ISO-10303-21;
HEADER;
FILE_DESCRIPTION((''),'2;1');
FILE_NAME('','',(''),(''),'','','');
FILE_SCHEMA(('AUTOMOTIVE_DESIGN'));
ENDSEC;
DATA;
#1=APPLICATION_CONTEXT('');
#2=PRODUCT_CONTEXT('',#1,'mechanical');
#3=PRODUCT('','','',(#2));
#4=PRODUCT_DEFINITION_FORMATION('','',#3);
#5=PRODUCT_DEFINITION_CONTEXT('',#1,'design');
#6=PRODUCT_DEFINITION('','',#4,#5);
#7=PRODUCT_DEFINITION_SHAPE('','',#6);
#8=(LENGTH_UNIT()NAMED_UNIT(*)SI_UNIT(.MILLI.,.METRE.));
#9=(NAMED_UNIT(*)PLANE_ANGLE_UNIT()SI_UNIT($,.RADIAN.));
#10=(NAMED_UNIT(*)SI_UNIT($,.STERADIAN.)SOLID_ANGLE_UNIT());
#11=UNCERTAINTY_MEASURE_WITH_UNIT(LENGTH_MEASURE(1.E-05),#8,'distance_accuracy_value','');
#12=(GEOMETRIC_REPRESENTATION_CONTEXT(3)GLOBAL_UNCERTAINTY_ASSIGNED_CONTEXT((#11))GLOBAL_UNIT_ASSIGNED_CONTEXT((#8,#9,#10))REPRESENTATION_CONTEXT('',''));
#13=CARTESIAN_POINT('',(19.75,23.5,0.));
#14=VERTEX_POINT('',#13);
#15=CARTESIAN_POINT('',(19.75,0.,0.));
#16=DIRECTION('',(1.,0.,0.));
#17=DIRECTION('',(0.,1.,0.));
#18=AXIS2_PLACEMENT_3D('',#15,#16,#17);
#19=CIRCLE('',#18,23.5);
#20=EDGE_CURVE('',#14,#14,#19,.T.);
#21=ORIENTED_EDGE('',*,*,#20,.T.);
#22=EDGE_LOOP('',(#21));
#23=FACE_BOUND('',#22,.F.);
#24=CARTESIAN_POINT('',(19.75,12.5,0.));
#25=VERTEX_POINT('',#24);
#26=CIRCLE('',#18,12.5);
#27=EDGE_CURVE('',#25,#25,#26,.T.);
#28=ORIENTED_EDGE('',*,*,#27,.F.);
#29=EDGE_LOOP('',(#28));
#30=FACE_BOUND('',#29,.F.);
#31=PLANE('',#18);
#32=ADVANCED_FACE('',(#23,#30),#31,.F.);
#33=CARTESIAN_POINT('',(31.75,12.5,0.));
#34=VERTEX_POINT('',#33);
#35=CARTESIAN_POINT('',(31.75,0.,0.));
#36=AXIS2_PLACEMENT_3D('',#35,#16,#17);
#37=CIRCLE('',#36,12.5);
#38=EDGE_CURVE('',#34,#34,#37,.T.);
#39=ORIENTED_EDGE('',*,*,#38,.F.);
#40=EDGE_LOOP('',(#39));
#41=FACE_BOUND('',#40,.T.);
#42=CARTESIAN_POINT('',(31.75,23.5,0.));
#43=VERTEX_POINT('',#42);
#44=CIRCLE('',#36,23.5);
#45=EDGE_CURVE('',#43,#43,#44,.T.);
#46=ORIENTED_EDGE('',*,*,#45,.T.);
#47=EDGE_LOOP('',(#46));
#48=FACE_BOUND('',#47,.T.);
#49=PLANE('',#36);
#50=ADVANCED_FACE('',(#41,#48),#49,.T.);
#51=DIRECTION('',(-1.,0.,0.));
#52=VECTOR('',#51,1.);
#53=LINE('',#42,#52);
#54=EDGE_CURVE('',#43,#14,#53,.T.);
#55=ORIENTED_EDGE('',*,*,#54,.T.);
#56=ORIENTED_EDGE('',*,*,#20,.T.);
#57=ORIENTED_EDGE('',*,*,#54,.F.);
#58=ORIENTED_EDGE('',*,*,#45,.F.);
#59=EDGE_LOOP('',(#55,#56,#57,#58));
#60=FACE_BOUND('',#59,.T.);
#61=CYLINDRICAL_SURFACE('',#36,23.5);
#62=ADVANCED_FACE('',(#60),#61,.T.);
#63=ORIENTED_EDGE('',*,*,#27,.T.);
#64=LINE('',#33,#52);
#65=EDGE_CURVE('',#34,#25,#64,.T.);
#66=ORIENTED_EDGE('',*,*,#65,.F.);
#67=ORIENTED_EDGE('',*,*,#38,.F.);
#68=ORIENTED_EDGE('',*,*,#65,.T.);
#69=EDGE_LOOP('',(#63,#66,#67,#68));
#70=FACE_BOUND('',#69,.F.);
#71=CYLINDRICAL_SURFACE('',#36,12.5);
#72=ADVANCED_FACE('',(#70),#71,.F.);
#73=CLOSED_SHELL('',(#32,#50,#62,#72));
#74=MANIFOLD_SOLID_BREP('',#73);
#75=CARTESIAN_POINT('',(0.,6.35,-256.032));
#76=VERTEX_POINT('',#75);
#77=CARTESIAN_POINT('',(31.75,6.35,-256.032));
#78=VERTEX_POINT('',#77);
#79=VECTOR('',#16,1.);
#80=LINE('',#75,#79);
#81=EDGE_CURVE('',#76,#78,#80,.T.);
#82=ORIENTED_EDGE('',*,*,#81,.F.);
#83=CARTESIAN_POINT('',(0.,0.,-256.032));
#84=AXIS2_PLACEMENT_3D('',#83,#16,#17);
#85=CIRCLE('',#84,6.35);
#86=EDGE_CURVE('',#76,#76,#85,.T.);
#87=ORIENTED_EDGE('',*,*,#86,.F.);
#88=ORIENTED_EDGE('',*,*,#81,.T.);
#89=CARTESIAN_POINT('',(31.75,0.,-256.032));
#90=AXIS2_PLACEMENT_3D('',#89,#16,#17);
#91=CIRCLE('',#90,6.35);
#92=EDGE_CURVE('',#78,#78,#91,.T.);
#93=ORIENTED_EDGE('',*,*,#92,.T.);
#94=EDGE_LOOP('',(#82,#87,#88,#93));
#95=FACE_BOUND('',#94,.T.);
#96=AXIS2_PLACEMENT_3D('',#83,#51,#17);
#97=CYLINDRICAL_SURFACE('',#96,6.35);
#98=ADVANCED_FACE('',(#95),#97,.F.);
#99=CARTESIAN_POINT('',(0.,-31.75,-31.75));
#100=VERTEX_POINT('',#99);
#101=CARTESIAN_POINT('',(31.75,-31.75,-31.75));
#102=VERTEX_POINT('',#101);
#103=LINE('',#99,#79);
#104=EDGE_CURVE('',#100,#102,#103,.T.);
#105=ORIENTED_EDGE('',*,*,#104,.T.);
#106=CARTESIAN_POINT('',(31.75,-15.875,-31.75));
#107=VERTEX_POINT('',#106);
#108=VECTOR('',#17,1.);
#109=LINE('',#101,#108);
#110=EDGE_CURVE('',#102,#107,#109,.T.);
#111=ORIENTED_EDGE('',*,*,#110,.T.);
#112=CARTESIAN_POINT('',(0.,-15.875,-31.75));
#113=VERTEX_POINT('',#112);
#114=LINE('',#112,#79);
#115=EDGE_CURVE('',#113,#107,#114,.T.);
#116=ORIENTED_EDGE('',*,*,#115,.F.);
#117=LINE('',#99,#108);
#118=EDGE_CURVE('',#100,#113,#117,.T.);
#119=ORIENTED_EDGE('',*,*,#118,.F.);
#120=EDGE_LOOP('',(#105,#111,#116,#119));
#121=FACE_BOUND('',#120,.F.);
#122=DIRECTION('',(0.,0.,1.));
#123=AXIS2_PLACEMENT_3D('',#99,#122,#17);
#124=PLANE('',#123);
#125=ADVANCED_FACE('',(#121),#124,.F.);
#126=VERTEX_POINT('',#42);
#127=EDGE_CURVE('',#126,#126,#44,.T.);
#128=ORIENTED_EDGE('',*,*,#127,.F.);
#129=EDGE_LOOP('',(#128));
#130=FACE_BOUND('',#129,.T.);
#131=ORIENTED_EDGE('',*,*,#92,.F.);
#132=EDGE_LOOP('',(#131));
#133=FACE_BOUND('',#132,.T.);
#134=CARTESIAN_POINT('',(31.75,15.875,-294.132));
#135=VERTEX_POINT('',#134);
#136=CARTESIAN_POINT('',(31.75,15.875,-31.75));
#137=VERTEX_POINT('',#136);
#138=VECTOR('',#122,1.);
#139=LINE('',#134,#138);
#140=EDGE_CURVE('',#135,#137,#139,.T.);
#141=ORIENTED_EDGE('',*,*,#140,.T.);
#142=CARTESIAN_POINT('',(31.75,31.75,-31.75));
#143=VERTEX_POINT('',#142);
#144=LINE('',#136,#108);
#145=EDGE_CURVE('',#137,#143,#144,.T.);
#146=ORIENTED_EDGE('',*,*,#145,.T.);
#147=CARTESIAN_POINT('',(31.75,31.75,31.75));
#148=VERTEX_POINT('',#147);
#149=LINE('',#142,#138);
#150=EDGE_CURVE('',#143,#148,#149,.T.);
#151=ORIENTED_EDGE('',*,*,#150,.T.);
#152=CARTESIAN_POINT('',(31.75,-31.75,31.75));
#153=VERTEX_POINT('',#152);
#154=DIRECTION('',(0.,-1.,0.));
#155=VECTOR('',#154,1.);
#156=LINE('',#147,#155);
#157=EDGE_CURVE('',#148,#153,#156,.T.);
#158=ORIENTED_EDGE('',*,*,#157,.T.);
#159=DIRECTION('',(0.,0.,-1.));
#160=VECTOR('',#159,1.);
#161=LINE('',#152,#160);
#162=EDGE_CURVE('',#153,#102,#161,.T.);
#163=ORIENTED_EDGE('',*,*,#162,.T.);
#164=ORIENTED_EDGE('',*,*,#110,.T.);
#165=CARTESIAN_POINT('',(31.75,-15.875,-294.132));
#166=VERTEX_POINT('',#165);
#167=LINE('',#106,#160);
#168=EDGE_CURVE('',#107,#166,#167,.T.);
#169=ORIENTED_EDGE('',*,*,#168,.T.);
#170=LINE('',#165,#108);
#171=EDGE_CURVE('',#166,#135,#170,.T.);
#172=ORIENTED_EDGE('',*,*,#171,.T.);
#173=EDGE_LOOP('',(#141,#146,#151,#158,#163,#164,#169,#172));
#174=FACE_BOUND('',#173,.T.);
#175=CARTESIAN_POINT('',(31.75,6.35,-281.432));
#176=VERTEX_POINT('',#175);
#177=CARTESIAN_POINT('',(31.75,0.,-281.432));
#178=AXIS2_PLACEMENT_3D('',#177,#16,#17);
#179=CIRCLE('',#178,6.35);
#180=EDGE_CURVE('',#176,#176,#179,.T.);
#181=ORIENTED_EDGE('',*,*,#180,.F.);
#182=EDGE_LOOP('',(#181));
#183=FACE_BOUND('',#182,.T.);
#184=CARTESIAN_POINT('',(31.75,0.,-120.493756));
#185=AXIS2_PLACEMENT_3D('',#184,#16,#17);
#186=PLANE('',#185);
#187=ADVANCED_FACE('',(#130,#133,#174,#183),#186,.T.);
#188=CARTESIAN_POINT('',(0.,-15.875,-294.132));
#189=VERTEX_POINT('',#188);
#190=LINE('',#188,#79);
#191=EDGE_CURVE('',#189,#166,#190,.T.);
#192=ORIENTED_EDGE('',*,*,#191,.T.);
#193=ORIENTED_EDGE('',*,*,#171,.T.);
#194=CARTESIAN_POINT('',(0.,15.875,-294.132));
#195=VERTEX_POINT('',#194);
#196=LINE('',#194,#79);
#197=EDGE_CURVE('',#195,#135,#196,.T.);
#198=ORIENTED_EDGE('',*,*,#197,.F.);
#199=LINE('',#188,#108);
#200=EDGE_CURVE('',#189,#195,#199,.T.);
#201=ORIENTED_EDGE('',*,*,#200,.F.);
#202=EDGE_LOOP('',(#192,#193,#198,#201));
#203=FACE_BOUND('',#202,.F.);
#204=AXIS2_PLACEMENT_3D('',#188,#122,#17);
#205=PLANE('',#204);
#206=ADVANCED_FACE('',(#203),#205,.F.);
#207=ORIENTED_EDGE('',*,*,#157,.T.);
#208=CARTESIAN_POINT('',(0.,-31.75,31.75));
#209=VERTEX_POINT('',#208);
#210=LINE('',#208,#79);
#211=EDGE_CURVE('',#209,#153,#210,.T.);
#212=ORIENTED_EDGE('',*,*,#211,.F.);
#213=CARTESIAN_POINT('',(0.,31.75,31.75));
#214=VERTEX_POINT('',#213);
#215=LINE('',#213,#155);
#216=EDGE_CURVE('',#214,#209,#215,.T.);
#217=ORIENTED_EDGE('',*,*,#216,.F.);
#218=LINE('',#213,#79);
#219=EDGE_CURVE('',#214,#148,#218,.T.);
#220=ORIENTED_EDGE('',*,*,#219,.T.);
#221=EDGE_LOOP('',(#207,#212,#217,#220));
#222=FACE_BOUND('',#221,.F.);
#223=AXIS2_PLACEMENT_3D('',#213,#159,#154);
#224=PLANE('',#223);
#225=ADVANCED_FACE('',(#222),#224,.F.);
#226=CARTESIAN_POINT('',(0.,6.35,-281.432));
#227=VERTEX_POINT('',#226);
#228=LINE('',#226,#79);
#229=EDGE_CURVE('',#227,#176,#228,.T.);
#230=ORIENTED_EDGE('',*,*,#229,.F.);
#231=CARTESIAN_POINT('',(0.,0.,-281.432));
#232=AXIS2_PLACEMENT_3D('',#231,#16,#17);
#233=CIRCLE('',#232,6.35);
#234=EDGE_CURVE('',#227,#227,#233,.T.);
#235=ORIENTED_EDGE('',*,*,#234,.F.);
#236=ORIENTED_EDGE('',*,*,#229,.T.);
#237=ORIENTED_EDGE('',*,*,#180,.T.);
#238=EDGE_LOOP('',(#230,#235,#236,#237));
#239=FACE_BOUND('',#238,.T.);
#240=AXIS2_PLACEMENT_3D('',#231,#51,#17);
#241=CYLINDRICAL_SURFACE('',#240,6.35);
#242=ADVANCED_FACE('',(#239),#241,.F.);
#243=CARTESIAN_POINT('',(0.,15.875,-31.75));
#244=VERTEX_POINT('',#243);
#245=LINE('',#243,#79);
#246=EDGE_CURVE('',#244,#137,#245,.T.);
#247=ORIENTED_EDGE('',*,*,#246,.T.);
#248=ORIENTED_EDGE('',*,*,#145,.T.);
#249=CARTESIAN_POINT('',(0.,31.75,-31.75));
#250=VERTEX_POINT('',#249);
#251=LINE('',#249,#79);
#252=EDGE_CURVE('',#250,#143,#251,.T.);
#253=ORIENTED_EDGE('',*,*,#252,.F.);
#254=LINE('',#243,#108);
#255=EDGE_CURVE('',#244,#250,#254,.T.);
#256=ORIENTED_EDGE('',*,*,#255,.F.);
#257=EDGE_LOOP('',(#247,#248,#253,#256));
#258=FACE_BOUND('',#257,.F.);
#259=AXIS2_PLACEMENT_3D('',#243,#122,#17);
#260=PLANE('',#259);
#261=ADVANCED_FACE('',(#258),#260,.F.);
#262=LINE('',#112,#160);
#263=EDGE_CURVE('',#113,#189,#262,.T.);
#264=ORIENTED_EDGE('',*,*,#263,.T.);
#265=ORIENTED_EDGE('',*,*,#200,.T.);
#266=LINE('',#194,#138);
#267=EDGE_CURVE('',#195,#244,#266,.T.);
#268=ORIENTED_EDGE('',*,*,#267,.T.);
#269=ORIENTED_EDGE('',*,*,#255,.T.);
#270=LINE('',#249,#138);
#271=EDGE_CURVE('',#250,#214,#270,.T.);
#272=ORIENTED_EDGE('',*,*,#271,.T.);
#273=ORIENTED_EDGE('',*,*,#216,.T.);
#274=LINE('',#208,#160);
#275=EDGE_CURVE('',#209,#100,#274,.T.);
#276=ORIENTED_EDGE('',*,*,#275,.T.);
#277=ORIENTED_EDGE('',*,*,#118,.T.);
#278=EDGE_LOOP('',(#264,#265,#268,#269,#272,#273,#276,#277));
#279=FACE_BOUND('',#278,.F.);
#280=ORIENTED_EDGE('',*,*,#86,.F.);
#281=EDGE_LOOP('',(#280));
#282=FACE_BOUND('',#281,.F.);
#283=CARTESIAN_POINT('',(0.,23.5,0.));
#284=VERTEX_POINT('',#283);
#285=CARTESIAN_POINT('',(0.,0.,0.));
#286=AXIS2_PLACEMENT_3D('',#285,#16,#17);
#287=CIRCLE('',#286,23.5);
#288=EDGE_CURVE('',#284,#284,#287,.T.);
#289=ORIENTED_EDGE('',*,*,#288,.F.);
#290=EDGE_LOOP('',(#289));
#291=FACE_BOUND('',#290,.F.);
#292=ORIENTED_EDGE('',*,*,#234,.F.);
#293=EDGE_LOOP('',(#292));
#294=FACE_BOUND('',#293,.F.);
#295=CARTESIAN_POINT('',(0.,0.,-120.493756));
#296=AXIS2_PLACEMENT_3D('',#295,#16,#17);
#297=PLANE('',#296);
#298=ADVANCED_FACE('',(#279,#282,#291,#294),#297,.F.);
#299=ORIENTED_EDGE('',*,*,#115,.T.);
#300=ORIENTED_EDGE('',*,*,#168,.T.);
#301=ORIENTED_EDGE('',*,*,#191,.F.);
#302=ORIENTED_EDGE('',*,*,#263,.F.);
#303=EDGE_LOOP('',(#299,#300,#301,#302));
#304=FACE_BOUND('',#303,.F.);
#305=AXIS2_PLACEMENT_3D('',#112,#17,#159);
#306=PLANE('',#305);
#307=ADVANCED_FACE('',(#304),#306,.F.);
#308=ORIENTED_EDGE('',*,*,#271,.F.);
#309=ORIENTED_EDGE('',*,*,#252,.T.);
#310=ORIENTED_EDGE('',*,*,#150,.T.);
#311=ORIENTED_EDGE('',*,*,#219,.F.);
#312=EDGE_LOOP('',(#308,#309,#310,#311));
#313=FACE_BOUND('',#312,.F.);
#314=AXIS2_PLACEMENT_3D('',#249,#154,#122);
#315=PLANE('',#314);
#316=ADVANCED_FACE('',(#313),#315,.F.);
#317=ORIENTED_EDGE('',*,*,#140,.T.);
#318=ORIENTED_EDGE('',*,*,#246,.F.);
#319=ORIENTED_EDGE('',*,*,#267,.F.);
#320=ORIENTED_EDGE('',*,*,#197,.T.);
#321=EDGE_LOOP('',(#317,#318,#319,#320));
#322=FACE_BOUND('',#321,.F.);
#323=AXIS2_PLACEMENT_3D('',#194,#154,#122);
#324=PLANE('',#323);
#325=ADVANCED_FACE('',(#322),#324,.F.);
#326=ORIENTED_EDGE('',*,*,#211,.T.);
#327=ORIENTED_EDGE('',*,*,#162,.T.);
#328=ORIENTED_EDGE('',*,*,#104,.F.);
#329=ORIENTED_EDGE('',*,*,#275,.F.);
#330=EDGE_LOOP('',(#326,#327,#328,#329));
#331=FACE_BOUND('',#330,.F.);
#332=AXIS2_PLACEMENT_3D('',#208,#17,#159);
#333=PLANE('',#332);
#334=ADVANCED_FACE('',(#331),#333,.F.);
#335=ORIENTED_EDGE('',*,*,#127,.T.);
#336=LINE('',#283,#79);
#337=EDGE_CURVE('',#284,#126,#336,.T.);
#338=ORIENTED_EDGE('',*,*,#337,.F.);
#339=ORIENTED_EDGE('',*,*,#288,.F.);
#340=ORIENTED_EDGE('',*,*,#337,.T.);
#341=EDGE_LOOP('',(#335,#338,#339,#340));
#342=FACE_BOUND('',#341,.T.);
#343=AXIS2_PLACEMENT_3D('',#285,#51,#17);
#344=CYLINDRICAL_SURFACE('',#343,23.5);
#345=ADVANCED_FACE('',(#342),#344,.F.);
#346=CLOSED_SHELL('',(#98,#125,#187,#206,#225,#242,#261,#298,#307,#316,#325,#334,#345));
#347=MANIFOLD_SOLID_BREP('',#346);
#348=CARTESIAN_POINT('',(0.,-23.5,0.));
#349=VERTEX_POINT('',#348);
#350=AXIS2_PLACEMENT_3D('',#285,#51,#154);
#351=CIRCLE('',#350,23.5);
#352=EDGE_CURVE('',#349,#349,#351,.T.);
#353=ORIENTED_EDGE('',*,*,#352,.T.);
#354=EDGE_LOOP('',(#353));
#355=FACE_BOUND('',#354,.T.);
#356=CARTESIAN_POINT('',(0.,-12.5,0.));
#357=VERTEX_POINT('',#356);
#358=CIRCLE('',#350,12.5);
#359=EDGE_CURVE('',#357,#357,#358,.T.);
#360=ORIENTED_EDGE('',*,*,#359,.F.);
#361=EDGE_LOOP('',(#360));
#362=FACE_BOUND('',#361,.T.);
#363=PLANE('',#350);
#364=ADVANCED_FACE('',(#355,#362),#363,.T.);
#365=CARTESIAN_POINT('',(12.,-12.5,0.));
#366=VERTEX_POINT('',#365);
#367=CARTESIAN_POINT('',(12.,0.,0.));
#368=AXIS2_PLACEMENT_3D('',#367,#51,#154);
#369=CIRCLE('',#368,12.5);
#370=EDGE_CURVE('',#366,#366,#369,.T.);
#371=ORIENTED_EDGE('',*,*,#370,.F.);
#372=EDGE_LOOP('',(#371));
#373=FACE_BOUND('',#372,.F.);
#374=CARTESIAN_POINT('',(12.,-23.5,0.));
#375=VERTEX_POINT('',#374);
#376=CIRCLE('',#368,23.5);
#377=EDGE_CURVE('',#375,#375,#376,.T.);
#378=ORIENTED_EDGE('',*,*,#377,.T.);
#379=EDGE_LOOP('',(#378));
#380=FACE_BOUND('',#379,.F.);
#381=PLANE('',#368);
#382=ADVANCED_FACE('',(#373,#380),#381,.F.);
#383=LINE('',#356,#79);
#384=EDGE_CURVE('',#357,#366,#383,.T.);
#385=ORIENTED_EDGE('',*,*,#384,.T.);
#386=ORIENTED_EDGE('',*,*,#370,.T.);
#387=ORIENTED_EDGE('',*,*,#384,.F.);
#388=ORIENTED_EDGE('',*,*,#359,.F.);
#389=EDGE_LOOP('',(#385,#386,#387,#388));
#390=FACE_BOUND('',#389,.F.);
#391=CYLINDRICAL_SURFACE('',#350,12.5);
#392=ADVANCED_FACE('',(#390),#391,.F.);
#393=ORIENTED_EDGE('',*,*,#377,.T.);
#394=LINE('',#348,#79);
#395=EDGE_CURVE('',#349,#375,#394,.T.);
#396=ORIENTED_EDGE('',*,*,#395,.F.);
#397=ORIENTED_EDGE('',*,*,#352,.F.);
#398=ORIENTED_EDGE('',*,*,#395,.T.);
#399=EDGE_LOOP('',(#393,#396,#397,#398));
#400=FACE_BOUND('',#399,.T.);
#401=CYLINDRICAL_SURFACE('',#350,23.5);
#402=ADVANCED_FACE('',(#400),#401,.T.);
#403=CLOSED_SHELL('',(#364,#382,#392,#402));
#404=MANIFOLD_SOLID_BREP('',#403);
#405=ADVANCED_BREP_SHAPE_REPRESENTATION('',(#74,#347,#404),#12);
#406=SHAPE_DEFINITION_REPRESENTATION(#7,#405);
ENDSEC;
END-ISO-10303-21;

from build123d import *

# Parameters (mm, degrees)
F0_R     = 6.35
F0_R_2   = 23.5
F1_DEPTH = 31.75
F2_R     = 23.5
F2_R_2   = 12.5
F3_DEPTH = 12
F4_R     = 23.5
F4_R_2   = 12.5
F5_DEPTH = 12


with BuildPart() as f1:
    # F0 (on Right) → F1 (new body)
    with BuildSketch(Plane.YZ):
        Polygon((15.875, -31.75), (31.75, -31.75), (31.75, 31.75), (-31.75, 31.75), (-31.75, -31.75), (-15.875, -31.75), (-15.875, -294.132), (15.875, -294.132), align=None)
        with Locations((0, -281.432)):
            Circle(F0_R, mode=Mode.SUBTRACT)
        with Locations((0, -256.032)):
            Circle(F0_R, mode=Mode.SUBTRACT)
        Circle(F0_R_2, mode=Mode.SUBTRACT)
    extrude(amount=F1_DEPTH)


with BuildPart() as f3:
    # F2 (on face) → F3 (new body)
    with BuildSketch(Plane(origin=(0, 0, 0), x_dir=(0, -1, 0), z_dir=(-1, 0, 0))):
        Circle(F2_R)
        Circle(F2_R_2, mode=Mode.SUBTRACT)
    extrude(amount=-F3_DEPTH)


with BuildPart() as f5:
    # F4 (on face) → F5 (new body)
    with BuildSketch(Plane.YZ.offset(31.75)):
        Circle(F4_R)
        Circle(F4_R_2, mode=Mode.SUBTRACT)
    extrude(amount=-F5_DEPTH)


solid = Compound([f1.part, f3.part, f5.part])
